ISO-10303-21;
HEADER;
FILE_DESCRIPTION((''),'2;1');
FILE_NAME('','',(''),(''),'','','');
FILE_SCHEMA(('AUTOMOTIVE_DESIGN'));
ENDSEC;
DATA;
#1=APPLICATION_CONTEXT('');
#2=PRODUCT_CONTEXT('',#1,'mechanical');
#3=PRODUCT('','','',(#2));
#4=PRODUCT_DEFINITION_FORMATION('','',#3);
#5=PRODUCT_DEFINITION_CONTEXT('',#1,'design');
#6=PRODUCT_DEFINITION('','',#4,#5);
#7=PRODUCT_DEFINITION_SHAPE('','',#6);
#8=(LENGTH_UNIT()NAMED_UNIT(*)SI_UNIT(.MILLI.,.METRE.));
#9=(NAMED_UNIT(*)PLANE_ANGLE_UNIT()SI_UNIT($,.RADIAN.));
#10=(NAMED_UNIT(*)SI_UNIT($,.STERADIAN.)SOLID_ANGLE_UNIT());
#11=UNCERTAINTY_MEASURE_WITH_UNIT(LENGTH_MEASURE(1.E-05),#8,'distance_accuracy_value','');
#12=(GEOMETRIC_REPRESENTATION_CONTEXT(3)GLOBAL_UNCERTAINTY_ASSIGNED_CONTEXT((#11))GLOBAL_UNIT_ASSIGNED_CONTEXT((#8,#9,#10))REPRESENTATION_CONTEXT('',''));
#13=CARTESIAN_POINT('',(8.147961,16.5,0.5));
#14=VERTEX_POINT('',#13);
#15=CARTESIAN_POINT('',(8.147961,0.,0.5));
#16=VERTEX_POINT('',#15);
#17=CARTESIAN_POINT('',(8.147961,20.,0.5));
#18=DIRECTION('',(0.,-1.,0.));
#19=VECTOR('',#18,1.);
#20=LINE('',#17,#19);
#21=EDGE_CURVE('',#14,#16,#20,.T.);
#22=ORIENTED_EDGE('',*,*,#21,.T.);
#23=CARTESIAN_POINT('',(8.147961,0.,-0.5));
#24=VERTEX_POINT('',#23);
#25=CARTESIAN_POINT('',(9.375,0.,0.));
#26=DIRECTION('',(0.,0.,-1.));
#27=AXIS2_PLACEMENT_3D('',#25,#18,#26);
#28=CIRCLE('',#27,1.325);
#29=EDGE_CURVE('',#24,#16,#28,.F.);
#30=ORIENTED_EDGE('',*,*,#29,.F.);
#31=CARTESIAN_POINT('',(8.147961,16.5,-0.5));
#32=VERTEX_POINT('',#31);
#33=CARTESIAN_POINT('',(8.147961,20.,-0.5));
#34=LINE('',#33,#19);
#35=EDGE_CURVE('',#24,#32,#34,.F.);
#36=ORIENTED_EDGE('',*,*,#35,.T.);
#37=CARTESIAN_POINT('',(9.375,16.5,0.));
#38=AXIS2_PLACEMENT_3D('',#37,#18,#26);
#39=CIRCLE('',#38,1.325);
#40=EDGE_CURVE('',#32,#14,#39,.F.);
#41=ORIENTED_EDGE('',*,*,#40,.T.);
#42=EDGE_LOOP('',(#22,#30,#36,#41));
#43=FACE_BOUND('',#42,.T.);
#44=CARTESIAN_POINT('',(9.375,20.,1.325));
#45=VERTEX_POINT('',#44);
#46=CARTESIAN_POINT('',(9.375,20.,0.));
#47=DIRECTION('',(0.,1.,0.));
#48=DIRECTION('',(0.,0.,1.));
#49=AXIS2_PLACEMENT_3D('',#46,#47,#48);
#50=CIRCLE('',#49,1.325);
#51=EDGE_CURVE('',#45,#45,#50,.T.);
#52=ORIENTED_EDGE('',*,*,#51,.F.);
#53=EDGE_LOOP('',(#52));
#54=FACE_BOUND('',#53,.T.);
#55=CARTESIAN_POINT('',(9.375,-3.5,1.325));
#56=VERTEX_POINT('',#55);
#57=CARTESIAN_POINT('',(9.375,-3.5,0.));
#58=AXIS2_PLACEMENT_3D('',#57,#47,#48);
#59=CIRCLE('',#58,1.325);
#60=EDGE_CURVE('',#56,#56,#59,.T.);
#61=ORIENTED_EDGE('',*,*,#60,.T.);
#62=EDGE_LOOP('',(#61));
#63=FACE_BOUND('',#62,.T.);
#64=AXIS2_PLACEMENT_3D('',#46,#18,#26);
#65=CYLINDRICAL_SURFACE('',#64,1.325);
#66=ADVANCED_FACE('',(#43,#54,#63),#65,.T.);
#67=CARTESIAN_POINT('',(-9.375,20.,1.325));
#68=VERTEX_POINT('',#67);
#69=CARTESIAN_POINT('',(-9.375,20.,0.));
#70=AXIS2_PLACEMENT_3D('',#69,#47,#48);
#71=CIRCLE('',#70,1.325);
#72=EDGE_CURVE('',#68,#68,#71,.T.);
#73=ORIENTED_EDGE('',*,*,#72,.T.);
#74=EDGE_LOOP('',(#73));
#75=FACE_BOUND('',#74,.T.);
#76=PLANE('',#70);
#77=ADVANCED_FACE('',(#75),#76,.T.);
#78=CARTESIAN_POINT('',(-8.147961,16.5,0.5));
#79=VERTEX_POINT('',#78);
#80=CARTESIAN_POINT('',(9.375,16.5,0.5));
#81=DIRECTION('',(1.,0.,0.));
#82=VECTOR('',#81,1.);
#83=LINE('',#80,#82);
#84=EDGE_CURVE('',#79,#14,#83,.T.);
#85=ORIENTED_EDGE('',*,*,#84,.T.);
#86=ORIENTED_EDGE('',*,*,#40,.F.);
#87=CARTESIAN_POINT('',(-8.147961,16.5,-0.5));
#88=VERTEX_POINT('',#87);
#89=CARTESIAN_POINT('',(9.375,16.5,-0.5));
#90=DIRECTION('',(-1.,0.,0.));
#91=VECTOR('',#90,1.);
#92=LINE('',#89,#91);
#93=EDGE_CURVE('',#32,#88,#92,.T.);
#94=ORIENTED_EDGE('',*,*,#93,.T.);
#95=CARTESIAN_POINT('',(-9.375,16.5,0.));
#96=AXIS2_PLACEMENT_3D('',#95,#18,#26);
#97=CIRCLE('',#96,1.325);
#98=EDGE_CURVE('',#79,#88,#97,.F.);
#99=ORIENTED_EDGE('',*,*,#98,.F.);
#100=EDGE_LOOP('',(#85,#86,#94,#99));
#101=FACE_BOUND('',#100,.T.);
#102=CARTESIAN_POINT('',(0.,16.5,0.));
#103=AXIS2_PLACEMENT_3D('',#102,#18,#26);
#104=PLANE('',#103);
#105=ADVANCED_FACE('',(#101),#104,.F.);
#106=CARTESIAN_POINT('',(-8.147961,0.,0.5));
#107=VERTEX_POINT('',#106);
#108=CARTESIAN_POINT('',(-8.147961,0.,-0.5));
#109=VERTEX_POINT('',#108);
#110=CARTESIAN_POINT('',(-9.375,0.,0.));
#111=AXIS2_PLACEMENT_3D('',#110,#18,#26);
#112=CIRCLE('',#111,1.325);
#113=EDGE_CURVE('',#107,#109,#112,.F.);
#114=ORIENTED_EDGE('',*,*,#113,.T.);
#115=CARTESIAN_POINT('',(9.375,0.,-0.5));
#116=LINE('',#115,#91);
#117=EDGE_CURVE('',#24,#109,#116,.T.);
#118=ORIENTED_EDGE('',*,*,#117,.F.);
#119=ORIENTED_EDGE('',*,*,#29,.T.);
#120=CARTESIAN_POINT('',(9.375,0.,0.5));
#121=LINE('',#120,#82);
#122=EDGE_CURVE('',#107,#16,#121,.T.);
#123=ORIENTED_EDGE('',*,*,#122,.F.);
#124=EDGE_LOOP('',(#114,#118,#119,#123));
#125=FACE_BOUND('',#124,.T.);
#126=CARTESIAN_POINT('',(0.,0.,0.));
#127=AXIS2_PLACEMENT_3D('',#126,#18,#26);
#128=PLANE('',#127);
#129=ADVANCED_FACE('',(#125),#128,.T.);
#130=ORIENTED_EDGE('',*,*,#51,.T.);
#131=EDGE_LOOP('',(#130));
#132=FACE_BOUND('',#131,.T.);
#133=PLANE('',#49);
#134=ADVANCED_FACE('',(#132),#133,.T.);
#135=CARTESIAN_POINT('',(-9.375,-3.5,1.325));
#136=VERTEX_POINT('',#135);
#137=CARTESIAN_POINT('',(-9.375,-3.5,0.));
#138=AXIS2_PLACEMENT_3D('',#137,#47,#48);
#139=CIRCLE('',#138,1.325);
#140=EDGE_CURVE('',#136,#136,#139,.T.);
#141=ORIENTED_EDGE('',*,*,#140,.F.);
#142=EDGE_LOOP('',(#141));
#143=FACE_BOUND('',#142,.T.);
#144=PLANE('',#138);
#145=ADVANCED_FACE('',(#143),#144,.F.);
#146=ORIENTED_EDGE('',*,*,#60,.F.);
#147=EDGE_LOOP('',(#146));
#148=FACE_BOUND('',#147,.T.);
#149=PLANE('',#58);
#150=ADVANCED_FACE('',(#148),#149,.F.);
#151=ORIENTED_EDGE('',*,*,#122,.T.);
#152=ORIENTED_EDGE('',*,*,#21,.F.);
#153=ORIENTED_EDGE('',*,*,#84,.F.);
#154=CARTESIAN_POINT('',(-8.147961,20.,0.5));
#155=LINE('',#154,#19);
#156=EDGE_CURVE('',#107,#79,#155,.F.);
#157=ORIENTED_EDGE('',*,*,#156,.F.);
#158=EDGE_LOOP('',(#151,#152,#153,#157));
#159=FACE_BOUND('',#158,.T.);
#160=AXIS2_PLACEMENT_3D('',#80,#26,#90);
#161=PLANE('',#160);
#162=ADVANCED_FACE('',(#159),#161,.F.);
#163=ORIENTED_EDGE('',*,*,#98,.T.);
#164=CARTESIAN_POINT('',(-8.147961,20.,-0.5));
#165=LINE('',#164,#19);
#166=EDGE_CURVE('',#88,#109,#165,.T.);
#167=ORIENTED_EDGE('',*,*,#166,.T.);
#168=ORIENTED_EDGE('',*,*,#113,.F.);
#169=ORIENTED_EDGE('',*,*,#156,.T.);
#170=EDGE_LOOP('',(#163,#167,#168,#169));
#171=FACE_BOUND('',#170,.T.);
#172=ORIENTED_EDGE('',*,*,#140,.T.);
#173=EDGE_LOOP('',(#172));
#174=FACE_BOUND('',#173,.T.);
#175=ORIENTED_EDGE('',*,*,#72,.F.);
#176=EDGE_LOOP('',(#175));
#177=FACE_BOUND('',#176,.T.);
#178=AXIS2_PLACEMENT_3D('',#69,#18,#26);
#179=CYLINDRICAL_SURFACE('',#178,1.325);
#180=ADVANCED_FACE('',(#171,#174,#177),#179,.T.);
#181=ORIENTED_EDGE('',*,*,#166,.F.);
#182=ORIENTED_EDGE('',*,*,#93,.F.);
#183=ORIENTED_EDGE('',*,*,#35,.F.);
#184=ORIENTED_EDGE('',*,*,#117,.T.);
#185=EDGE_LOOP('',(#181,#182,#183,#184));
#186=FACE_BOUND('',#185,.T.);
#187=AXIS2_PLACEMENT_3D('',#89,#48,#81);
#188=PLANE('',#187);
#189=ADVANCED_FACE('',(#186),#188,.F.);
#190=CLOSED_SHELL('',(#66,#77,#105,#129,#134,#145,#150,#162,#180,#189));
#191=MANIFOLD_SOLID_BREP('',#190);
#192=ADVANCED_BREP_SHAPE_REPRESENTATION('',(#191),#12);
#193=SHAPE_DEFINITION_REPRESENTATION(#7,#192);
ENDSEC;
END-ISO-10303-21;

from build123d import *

# Parameters (mm, degrees)
SKETCH1_W           = 18.75
SKETCH1_H           = 1
BOSS_EXTRUDE1_DEPTH = 16.5
SKETCH2_R           = 1.325
BOSS_EXTRUDE2_DEPTH = 11.75


with BuildPart() as part:
    # Sketch1 → Boss-Extrude1 (new body)
    with BuildSketch(Plane(origin=(0, 0, 0), x_dir=(1, 0, 0), z_dir=(0, 1, 0))):
        Rectangle(SKETCH1_W, SKETCH1_H)
    extrude(amount=BOSS_EXTRUDE1_DEPTH)

    # Sketch2 → Boss-Extrude2 (add, symmetric)
    with BuildSketch(Plane(origin=(0, 8.25, 0), x_dir=(1, 0, 0), z_dir=(0, 1, 0))):
        with Locations(Location((-9.375, 0, 0), (0, 0, 270))):
            Circle(SKETCH2_R)
        with Locations(Location((9.375, 0, 0), (0, 0, 270))):
            Circle(SKETCH2_R)
    extrude(amount=BOSS_EXTRUDE2_DEPTH, both=True)


solid = part.part
